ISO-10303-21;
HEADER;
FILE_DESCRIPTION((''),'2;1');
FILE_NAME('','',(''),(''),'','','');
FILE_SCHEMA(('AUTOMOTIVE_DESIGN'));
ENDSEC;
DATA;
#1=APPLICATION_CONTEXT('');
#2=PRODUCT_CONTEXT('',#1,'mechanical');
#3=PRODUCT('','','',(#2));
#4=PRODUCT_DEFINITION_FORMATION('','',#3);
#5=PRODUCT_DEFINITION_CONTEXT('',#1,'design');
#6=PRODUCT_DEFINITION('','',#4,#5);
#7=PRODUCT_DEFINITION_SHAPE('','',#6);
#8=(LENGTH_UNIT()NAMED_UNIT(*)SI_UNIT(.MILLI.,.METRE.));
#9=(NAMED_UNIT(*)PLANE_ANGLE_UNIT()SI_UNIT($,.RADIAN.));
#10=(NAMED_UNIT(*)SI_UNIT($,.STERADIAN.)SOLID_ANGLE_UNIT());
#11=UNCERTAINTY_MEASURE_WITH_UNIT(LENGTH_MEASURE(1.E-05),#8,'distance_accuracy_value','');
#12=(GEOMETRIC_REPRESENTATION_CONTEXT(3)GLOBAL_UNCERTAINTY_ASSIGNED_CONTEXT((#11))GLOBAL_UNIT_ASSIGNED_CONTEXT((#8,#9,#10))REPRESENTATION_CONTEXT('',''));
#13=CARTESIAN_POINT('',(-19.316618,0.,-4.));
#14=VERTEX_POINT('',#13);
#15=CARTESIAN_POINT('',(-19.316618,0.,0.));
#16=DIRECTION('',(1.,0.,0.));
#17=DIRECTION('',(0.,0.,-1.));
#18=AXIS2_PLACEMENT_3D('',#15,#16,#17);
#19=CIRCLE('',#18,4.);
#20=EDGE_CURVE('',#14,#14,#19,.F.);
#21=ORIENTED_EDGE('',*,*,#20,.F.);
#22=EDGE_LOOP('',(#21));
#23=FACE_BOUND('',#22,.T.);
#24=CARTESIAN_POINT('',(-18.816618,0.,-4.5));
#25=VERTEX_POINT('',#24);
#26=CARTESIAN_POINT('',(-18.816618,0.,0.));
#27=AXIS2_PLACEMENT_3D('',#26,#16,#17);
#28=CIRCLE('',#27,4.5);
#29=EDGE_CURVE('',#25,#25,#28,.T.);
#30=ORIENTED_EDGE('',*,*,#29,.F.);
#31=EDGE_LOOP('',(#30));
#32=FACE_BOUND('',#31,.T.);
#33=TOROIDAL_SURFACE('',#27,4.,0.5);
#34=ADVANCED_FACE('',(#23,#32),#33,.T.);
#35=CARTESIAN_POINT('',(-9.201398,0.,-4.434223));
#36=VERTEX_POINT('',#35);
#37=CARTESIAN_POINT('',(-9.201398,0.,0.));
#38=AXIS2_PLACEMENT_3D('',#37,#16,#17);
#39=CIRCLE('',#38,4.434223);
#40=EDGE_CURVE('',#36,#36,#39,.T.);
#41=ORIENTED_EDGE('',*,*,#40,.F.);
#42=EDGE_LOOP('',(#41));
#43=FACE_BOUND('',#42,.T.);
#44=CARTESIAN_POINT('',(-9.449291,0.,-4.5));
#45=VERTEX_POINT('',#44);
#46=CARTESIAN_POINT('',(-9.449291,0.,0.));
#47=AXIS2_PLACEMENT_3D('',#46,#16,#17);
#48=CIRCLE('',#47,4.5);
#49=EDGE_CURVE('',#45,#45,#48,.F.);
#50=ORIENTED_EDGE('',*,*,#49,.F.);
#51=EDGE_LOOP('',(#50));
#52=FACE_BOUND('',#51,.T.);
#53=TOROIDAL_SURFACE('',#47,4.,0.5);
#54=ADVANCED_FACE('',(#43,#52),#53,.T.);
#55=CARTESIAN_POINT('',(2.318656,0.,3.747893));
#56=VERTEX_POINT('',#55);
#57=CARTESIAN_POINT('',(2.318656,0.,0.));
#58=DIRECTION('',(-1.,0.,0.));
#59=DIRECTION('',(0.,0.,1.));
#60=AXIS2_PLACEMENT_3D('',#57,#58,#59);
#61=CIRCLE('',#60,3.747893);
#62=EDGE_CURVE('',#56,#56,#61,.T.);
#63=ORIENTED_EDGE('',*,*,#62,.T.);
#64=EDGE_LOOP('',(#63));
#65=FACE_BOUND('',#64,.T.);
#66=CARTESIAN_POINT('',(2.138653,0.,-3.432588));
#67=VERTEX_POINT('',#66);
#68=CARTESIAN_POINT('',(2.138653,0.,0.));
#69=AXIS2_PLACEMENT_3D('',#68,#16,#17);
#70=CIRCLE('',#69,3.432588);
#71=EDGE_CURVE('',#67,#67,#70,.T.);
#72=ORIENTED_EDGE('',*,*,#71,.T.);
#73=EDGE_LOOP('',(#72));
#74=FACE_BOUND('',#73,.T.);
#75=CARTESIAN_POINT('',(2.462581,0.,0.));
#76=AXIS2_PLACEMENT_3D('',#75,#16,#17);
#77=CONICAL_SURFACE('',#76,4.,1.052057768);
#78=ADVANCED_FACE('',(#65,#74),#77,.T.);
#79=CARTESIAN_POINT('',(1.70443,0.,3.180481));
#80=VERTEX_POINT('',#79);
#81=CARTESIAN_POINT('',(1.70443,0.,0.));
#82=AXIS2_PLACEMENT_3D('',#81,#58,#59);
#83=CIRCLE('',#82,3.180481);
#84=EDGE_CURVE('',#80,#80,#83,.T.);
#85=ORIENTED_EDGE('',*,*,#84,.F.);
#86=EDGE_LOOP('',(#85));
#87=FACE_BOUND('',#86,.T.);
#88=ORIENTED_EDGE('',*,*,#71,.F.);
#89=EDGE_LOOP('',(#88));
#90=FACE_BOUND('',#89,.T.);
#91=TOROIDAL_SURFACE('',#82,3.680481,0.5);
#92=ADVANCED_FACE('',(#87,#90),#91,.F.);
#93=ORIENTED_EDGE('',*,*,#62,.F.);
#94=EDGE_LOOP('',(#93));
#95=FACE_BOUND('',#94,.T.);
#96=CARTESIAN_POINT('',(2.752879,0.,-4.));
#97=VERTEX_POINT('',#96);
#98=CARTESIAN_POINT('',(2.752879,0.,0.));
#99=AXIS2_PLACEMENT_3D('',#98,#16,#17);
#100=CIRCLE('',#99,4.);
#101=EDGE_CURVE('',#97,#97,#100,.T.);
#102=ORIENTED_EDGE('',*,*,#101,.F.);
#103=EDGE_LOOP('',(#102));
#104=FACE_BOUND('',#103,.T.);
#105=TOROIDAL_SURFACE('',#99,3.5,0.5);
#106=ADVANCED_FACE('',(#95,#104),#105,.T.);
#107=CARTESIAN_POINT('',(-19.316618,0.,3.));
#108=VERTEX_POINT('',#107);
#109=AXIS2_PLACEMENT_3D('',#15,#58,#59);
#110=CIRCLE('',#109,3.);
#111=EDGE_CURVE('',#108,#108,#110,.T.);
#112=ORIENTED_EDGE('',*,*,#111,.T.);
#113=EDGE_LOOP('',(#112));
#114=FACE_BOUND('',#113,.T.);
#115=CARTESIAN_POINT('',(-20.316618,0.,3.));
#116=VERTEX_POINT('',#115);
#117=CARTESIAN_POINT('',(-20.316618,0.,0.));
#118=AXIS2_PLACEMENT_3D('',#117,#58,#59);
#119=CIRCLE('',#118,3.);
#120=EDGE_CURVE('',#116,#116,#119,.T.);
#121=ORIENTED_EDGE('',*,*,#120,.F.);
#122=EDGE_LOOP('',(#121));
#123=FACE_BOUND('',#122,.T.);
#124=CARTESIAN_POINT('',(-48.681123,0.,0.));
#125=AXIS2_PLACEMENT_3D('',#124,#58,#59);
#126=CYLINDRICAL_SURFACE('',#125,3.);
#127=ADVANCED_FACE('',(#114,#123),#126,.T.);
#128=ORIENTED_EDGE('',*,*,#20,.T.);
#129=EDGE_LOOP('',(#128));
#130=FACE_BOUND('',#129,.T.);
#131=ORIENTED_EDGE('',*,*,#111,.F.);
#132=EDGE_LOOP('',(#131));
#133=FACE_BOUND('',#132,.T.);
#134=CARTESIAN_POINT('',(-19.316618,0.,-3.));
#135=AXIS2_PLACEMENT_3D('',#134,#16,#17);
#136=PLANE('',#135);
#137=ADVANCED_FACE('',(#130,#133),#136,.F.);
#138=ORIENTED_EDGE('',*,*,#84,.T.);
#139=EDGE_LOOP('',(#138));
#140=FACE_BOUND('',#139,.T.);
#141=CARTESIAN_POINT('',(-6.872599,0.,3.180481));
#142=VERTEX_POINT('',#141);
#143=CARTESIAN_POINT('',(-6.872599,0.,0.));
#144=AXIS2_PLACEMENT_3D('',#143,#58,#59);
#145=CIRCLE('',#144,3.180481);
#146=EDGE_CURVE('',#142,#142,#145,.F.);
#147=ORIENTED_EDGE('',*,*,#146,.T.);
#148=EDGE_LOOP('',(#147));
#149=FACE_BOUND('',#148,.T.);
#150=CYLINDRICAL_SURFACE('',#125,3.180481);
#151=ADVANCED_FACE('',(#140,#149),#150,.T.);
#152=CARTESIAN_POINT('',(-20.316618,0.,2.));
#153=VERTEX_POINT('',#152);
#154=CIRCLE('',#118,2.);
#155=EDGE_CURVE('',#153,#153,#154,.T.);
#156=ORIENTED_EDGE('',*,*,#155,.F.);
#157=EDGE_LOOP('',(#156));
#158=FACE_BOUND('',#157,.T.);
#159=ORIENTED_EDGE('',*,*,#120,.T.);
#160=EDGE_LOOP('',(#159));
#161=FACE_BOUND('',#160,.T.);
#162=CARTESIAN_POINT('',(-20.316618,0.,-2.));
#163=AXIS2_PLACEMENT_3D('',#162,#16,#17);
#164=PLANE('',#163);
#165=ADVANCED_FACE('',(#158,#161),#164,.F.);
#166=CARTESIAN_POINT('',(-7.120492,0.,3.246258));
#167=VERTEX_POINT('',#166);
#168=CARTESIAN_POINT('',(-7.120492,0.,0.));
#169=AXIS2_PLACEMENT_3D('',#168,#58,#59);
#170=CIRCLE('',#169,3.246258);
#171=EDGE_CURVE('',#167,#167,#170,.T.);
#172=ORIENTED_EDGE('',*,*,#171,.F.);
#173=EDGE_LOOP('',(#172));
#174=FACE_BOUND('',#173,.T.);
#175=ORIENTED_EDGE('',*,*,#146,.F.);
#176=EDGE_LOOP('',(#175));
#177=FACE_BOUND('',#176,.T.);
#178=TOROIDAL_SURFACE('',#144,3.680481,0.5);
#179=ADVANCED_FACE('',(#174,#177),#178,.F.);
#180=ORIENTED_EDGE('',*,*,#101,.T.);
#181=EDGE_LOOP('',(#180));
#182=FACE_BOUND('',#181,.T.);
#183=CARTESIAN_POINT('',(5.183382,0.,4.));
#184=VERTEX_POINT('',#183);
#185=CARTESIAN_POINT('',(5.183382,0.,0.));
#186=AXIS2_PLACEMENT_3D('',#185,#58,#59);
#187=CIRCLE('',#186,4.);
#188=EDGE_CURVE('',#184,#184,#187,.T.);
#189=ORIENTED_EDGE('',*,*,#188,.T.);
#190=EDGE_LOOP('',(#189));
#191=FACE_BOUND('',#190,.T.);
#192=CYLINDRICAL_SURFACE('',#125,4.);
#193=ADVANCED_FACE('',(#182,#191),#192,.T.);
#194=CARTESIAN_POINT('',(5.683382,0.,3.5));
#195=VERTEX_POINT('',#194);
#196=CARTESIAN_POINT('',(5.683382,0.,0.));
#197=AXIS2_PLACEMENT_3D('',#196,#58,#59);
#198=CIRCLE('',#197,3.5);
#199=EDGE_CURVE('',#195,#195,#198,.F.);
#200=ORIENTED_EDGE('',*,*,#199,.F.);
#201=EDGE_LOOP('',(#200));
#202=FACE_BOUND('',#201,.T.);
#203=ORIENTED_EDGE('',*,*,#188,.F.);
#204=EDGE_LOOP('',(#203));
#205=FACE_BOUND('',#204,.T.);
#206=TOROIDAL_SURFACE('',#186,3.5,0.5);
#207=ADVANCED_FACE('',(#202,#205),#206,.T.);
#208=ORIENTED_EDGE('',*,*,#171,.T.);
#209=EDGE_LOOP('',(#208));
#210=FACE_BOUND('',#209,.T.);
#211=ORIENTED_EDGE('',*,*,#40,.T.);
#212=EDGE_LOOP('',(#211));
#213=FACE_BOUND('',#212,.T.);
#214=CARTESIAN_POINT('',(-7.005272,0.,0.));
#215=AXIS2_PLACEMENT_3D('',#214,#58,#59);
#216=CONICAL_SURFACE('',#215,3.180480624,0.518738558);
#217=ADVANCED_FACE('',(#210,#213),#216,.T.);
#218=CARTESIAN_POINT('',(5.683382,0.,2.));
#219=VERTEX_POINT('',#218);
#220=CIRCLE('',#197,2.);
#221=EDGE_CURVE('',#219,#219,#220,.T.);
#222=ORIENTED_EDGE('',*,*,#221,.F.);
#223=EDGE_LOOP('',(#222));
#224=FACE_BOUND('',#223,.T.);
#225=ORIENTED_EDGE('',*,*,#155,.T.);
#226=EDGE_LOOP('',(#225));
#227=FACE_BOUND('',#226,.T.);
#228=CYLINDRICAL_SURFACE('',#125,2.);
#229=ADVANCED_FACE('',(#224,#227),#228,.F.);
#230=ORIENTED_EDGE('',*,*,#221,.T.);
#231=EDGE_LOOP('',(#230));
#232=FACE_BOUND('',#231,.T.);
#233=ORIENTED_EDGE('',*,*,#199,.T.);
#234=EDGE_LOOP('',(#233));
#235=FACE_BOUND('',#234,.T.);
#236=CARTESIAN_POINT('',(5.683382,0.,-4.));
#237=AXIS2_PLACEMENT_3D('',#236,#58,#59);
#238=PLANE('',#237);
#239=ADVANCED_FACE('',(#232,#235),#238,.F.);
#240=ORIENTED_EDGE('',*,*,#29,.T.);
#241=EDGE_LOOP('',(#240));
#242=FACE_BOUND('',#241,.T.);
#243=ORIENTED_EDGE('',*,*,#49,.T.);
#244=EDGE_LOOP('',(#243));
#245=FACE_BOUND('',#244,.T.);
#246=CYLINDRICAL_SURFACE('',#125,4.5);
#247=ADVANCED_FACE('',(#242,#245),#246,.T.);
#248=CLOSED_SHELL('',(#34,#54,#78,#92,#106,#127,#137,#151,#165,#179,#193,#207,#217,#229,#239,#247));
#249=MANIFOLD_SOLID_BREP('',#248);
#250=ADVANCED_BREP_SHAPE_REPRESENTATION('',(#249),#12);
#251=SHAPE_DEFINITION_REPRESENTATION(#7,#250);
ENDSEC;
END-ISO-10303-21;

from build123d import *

# Parameters (mm, degrees)
FILLET_1_R = 0.5


with BuildPart() as part:
    # Эскиз1 → Повернуть1 (revolve)
    with BuildSketch(Plane(origin=(0, 0, 0), x_dir=(1, 0, 0), z_dir=(0, 1, 0)), mode=Mode.PRIVATE) as revolve_1_sk:
        Polygon((-20.31661762, 2), (-20.31661762, 3), (-19.31661762, 3), (-19.31661762, 4.5), (-9.31661762, 4.5), (-7.005272431, 3.180480624), (1.994727569, 3.180480624), (2.462581397, 4), (5.68338238, 4), (5.68338238, 2), align=None)
    revolve(revolve_1_sk.sketch.rotate(Axis((-48.681122779, 0, 0), (1, 0, 0)), 180), axis=Axis((-48.681122779, 0, 0), (1, 0, 0)))

    # Скругление1
    fillet_1_edges = [part.edges().sort_by_distance(p)[0] for p in [
        (-19.31661762, 0, -4.5),
        (-9.31661762, 0, -4.5),
        (-7.005272431, 0, -3.180480624),
        (1.994727569, 0, -3.180480624),
        (2.462581397, 0, -4),
        (5.68338238, 0, -4),
    ]]
    fillet(fillet_1_edges, radius=FILLET_1_R)


solid = part.part
